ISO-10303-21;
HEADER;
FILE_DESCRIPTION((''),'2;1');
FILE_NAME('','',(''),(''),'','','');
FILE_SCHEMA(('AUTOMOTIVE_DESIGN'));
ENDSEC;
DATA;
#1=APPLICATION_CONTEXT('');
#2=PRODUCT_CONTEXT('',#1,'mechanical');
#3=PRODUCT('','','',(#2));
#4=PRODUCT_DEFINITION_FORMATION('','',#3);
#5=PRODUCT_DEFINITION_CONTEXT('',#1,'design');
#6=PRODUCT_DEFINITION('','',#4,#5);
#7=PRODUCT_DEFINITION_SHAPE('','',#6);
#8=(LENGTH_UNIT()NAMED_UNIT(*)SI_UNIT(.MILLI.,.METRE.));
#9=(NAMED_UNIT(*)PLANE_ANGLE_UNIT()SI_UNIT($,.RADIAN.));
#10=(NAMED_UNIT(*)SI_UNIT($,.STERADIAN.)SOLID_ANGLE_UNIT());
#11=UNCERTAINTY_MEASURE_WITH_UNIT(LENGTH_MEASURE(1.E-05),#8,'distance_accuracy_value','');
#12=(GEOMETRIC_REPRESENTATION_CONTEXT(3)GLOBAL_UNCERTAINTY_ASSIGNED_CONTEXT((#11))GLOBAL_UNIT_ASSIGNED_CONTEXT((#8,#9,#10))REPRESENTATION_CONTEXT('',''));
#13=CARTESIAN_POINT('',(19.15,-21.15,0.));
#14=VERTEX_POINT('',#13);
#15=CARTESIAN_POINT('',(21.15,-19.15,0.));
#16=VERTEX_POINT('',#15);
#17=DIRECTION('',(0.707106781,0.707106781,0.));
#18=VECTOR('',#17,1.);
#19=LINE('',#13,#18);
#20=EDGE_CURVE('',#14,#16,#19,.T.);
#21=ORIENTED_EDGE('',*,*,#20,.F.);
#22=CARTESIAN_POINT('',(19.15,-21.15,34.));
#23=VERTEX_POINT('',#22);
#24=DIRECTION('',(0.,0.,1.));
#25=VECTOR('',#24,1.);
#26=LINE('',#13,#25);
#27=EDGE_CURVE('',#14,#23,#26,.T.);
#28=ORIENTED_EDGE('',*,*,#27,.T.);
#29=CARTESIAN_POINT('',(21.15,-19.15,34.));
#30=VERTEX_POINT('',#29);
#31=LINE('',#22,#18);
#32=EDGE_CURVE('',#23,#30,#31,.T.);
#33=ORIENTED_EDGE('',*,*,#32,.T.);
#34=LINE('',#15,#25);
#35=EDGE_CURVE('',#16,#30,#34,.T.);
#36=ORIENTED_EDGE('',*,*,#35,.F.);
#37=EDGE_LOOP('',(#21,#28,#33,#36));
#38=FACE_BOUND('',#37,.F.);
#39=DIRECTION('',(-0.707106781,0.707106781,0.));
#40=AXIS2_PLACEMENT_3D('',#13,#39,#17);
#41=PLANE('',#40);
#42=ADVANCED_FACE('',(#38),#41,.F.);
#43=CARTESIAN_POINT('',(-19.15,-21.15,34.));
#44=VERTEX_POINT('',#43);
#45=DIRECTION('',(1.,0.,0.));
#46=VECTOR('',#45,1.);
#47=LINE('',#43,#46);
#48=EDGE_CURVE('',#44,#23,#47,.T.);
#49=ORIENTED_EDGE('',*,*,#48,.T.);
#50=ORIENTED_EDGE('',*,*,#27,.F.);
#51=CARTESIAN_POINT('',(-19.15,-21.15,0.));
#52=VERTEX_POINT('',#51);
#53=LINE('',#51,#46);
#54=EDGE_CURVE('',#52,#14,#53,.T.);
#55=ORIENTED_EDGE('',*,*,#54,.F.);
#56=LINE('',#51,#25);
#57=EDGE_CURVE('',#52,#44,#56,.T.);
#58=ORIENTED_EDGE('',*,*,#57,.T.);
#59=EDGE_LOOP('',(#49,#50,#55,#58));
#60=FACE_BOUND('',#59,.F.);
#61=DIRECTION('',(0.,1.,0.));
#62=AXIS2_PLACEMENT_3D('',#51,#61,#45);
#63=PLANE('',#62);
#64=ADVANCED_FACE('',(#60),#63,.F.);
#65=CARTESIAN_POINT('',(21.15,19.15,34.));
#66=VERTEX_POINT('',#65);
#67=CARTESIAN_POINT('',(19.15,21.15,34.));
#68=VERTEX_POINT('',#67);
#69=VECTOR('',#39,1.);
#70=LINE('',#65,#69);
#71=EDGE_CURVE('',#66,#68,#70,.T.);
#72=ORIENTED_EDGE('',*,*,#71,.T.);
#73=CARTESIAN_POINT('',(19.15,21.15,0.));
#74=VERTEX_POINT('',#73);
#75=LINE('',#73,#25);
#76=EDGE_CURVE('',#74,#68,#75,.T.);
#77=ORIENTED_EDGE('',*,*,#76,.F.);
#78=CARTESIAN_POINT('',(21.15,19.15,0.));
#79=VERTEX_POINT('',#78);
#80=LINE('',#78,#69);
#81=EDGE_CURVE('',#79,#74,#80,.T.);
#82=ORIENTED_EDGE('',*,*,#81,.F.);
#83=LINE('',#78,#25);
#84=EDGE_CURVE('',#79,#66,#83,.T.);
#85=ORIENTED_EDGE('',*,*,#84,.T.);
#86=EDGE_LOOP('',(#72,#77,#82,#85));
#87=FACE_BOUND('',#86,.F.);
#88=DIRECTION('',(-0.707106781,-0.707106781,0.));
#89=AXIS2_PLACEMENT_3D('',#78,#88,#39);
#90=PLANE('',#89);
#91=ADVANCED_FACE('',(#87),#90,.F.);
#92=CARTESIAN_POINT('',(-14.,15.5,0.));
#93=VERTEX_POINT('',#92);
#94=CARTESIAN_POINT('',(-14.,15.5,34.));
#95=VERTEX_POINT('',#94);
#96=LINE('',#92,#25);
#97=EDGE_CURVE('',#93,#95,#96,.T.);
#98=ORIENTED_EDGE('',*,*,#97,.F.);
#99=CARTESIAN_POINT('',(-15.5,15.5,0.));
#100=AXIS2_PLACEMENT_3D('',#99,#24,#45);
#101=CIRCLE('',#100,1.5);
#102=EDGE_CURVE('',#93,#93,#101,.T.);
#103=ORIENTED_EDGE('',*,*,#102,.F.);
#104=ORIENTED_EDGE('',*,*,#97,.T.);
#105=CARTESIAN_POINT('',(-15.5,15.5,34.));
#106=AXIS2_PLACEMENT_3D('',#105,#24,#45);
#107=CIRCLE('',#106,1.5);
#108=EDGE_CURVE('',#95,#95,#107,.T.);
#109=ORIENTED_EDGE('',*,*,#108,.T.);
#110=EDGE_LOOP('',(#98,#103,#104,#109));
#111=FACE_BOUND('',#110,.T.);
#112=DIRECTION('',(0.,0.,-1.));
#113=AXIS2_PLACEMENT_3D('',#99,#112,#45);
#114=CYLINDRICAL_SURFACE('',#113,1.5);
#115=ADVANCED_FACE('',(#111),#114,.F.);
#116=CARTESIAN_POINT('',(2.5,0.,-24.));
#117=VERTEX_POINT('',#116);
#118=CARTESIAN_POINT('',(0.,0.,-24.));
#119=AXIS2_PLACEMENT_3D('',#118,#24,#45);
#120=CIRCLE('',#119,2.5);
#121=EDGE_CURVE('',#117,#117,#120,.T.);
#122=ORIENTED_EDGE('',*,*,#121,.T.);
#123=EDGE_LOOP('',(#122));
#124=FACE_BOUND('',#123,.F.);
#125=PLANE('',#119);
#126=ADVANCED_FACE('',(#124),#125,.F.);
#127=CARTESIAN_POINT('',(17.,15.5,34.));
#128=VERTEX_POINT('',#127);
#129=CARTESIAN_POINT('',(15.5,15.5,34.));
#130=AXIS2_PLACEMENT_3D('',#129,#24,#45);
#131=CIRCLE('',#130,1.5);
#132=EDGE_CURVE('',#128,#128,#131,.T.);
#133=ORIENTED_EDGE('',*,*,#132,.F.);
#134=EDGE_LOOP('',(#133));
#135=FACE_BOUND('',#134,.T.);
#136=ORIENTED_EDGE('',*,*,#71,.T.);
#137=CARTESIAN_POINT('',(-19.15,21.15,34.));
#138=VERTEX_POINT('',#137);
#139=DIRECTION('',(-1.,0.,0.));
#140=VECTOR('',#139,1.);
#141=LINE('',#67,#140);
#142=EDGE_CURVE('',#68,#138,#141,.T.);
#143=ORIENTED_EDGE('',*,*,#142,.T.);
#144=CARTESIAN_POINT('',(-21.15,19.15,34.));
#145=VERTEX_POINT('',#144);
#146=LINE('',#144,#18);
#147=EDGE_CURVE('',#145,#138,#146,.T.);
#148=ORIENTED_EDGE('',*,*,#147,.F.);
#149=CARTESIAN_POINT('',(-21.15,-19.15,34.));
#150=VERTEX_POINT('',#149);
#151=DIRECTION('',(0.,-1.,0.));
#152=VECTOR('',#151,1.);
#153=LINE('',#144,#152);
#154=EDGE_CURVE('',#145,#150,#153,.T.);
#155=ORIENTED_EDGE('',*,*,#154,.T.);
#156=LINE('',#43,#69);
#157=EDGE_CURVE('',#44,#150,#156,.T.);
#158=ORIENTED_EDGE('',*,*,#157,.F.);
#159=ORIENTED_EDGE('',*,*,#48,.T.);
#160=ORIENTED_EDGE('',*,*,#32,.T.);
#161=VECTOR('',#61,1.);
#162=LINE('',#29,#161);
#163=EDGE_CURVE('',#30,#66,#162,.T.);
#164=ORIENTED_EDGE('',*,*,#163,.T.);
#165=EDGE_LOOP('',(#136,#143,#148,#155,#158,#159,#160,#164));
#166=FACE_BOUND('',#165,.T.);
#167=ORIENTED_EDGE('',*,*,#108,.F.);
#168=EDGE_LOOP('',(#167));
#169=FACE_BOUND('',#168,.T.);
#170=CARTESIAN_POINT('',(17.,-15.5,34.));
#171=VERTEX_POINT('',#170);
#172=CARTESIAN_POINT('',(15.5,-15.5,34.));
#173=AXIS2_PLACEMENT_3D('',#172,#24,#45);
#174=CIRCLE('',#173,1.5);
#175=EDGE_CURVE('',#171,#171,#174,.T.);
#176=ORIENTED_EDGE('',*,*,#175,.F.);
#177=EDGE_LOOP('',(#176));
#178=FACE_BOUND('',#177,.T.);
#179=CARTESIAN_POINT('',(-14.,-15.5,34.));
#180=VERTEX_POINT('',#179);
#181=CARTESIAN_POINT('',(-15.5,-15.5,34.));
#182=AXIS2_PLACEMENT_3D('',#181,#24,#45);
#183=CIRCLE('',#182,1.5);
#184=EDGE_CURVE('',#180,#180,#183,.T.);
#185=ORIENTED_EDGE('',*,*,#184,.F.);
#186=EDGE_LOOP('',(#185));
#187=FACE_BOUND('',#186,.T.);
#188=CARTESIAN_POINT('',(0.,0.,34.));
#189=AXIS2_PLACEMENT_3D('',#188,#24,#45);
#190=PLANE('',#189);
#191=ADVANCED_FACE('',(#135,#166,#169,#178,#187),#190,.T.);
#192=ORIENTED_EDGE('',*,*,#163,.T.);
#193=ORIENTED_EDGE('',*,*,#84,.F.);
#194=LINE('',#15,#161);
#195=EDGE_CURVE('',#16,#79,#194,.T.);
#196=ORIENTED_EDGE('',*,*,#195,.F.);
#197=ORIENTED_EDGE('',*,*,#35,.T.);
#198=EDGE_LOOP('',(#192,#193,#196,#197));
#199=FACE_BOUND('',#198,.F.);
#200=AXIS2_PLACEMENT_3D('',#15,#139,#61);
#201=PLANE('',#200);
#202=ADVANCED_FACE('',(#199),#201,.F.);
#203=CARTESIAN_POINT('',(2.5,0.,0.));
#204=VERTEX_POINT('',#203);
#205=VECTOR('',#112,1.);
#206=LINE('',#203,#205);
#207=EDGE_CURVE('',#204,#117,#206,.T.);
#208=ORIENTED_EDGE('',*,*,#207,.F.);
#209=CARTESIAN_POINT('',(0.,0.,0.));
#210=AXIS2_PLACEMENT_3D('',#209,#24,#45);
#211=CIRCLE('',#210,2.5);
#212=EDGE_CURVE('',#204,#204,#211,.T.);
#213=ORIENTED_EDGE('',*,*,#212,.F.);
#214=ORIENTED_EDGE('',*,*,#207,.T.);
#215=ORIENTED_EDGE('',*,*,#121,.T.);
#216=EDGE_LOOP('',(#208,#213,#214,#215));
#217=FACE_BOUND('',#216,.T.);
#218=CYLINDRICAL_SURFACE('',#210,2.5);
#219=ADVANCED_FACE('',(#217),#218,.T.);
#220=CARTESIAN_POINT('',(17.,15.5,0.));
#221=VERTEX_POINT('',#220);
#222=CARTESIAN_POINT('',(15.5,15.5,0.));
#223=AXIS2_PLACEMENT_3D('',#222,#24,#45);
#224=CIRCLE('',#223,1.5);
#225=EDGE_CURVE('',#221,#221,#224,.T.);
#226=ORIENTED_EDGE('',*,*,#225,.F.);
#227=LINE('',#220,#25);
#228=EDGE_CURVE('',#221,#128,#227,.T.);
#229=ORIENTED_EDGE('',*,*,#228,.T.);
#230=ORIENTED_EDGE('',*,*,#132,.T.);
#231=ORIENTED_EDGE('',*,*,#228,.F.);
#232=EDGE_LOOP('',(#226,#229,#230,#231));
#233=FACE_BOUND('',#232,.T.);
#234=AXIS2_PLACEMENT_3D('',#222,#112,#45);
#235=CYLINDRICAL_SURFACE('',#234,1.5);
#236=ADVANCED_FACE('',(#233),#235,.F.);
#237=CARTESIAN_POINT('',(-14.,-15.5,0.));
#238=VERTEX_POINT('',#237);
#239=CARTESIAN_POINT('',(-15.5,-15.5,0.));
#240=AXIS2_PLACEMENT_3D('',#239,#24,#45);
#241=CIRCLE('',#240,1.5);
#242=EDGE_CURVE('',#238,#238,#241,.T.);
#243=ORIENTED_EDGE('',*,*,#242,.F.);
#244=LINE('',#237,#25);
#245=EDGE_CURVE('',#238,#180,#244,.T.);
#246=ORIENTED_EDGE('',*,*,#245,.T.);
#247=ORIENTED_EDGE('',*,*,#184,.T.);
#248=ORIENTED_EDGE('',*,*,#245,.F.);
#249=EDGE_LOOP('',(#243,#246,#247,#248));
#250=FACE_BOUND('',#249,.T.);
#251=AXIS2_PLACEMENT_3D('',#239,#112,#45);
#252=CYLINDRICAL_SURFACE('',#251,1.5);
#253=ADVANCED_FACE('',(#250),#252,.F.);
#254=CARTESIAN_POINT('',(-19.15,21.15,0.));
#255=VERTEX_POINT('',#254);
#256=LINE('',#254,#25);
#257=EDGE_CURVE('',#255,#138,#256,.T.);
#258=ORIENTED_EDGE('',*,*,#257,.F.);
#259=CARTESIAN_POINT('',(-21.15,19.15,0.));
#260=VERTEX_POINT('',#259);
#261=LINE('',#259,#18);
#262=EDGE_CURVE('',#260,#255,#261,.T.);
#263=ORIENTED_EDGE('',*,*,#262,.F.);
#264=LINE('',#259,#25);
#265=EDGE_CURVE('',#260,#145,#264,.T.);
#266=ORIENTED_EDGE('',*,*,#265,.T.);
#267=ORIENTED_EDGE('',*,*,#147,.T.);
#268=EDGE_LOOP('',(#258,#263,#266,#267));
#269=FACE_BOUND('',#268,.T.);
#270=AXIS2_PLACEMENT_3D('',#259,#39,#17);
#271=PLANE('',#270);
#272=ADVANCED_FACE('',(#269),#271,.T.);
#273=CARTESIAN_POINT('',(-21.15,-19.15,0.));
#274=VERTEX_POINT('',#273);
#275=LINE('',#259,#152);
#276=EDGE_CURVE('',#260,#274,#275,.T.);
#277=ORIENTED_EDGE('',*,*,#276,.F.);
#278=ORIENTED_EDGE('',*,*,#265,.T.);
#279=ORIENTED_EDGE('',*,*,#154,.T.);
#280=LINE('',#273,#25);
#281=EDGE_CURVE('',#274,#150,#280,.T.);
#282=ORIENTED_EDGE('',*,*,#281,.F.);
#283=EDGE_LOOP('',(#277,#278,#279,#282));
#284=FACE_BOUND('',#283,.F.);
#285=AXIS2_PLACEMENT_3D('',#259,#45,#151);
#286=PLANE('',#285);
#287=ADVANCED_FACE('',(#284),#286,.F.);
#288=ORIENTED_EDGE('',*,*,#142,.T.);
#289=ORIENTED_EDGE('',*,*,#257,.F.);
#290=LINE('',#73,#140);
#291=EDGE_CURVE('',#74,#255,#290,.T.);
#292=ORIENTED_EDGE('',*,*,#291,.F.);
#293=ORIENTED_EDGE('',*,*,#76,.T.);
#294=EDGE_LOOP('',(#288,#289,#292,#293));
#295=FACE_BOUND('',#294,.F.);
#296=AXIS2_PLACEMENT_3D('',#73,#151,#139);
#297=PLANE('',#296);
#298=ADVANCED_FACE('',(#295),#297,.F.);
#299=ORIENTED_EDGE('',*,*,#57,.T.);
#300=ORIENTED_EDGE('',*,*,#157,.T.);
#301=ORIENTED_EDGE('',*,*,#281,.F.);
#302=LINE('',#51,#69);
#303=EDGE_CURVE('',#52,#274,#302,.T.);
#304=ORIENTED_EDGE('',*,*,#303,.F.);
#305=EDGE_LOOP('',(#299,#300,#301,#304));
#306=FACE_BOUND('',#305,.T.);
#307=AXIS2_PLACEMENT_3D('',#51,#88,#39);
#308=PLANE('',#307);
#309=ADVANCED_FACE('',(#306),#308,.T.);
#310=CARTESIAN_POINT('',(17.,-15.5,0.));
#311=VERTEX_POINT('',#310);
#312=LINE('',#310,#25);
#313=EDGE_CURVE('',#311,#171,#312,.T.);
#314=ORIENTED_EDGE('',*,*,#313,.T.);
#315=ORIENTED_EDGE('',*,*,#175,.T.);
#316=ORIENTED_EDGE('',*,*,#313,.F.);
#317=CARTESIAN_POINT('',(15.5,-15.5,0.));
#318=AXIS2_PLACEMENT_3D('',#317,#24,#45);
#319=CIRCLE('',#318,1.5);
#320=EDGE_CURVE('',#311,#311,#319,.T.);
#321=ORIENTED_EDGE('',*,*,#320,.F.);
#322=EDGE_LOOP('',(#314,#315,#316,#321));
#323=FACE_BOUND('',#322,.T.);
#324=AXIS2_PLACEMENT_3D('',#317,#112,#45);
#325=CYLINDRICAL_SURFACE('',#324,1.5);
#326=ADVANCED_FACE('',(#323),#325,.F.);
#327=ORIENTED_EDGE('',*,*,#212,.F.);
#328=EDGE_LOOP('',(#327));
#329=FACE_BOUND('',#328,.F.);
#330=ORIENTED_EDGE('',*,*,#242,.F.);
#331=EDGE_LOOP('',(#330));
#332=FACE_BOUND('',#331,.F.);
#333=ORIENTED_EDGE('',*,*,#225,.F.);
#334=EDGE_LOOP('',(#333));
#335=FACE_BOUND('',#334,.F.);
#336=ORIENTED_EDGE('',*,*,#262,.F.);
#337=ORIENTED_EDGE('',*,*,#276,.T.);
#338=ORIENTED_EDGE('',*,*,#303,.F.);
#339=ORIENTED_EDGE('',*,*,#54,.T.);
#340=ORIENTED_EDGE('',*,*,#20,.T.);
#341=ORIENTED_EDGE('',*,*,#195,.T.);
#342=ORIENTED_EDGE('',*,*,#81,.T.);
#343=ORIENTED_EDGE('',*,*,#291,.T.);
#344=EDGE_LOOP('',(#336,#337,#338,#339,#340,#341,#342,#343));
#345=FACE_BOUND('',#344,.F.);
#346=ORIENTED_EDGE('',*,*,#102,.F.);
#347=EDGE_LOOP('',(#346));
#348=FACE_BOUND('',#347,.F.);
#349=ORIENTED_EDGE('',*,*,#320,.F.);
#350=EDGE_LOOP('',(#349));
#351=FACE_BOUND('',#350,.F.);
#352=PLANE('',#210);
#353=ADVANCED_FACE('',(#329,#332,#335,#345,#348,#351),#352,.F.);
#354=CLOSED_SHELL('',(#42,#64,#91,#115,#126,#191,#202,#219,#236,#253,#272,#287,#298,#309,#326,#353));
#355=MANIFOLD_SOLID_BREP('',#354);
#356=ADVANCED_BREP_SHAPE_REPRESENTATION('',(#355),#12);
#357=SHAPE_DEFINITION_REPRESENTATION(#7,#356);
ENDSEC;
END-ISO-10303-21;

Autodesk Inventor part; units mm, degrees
ref_plane "YZ Plane" through (0, 0, 0) normal (1, 0, 0) x (0, 1, 0)
ref_plane "XZ Plane" through (0, 0, 0) normal (0, 1, 0) x (-1, 0, 0)
ref_plane "XY Plane" through (0, 0, 0) normal (0, 0, 1) x (1, 0, 0)
sketch "body" plane through (0, 0, 0) normal (0, 0, 1) x (1, 0, 0)
  line L0 (-19.15, -21.15) -> (19.15, -21.15)
  line L1 (21.15, -19.15) -> (21.15, 19.15)
  line L2 (19.15, 21.15) -> (-19.15, 21.15)
  line L3 (-21.15, 19.15) -> (-21.15, -19.15)
  line L4 (-21.15, -21.15) -> (21.15, 21.15) construction
  line L5 (21.15, -21.15) -> (-21.15, 21.15) construction
  line L6 (-19.15, -21.15) -> (-21.15, -19.15)
  line L7 (-21.15, 19.15) -> (-19.15, 21.15)
  line L8 (21.15, 19.15) -> (19.15, 21.15)
  line L9 (19.15, -21.15) -> (21.15, -19.15)
  circle A0 centre (-15.5, 15.5) radius 1.5
  circle A1 centre (15.5, 15.5) radius 1.5
  circle A2 centre (15.5, -15.5) radius 1.5
  circle A3 centre (-15.5, -15.5) radius 1.5
  point P0 (0, 0)
  dimension "d5" = 42.3
  dimension "d6" = 42.3
  dimension "d7" = 2
  dimension "d8" = 2
  dimension "d9" = 2
  dimension "d10" = 2
  dimension "d11" = 2
  dimension "d12" = 2
  dimension "d13" = 2
  dimension "d14" = 2
  dimension "d15" = 3
  dimension "d16" = 3
  dimension "d17" = 3
  dimension "d18" = 3
sketch "Sketch6" plane through (0, 0, 0) normal (0, 0, 1) x (1, 0, 0)
  circle A0 centre (0, 0) radius 2.5
  dimension "d19" = 5
extrude "Extrusion1" add sketch "body" along normal blind 34
extrude "Extrusion2" add sketch "Sketch6" against normal blind 24
equation "\"d8\" = d7"
equation "\"d10\" = d9"
equation "\"d11\" = d9"
equation "\"d12\" = d11"
equation "\"d13\" = d9"
equation "\"d14\" = d13"
properties part number "motor"
